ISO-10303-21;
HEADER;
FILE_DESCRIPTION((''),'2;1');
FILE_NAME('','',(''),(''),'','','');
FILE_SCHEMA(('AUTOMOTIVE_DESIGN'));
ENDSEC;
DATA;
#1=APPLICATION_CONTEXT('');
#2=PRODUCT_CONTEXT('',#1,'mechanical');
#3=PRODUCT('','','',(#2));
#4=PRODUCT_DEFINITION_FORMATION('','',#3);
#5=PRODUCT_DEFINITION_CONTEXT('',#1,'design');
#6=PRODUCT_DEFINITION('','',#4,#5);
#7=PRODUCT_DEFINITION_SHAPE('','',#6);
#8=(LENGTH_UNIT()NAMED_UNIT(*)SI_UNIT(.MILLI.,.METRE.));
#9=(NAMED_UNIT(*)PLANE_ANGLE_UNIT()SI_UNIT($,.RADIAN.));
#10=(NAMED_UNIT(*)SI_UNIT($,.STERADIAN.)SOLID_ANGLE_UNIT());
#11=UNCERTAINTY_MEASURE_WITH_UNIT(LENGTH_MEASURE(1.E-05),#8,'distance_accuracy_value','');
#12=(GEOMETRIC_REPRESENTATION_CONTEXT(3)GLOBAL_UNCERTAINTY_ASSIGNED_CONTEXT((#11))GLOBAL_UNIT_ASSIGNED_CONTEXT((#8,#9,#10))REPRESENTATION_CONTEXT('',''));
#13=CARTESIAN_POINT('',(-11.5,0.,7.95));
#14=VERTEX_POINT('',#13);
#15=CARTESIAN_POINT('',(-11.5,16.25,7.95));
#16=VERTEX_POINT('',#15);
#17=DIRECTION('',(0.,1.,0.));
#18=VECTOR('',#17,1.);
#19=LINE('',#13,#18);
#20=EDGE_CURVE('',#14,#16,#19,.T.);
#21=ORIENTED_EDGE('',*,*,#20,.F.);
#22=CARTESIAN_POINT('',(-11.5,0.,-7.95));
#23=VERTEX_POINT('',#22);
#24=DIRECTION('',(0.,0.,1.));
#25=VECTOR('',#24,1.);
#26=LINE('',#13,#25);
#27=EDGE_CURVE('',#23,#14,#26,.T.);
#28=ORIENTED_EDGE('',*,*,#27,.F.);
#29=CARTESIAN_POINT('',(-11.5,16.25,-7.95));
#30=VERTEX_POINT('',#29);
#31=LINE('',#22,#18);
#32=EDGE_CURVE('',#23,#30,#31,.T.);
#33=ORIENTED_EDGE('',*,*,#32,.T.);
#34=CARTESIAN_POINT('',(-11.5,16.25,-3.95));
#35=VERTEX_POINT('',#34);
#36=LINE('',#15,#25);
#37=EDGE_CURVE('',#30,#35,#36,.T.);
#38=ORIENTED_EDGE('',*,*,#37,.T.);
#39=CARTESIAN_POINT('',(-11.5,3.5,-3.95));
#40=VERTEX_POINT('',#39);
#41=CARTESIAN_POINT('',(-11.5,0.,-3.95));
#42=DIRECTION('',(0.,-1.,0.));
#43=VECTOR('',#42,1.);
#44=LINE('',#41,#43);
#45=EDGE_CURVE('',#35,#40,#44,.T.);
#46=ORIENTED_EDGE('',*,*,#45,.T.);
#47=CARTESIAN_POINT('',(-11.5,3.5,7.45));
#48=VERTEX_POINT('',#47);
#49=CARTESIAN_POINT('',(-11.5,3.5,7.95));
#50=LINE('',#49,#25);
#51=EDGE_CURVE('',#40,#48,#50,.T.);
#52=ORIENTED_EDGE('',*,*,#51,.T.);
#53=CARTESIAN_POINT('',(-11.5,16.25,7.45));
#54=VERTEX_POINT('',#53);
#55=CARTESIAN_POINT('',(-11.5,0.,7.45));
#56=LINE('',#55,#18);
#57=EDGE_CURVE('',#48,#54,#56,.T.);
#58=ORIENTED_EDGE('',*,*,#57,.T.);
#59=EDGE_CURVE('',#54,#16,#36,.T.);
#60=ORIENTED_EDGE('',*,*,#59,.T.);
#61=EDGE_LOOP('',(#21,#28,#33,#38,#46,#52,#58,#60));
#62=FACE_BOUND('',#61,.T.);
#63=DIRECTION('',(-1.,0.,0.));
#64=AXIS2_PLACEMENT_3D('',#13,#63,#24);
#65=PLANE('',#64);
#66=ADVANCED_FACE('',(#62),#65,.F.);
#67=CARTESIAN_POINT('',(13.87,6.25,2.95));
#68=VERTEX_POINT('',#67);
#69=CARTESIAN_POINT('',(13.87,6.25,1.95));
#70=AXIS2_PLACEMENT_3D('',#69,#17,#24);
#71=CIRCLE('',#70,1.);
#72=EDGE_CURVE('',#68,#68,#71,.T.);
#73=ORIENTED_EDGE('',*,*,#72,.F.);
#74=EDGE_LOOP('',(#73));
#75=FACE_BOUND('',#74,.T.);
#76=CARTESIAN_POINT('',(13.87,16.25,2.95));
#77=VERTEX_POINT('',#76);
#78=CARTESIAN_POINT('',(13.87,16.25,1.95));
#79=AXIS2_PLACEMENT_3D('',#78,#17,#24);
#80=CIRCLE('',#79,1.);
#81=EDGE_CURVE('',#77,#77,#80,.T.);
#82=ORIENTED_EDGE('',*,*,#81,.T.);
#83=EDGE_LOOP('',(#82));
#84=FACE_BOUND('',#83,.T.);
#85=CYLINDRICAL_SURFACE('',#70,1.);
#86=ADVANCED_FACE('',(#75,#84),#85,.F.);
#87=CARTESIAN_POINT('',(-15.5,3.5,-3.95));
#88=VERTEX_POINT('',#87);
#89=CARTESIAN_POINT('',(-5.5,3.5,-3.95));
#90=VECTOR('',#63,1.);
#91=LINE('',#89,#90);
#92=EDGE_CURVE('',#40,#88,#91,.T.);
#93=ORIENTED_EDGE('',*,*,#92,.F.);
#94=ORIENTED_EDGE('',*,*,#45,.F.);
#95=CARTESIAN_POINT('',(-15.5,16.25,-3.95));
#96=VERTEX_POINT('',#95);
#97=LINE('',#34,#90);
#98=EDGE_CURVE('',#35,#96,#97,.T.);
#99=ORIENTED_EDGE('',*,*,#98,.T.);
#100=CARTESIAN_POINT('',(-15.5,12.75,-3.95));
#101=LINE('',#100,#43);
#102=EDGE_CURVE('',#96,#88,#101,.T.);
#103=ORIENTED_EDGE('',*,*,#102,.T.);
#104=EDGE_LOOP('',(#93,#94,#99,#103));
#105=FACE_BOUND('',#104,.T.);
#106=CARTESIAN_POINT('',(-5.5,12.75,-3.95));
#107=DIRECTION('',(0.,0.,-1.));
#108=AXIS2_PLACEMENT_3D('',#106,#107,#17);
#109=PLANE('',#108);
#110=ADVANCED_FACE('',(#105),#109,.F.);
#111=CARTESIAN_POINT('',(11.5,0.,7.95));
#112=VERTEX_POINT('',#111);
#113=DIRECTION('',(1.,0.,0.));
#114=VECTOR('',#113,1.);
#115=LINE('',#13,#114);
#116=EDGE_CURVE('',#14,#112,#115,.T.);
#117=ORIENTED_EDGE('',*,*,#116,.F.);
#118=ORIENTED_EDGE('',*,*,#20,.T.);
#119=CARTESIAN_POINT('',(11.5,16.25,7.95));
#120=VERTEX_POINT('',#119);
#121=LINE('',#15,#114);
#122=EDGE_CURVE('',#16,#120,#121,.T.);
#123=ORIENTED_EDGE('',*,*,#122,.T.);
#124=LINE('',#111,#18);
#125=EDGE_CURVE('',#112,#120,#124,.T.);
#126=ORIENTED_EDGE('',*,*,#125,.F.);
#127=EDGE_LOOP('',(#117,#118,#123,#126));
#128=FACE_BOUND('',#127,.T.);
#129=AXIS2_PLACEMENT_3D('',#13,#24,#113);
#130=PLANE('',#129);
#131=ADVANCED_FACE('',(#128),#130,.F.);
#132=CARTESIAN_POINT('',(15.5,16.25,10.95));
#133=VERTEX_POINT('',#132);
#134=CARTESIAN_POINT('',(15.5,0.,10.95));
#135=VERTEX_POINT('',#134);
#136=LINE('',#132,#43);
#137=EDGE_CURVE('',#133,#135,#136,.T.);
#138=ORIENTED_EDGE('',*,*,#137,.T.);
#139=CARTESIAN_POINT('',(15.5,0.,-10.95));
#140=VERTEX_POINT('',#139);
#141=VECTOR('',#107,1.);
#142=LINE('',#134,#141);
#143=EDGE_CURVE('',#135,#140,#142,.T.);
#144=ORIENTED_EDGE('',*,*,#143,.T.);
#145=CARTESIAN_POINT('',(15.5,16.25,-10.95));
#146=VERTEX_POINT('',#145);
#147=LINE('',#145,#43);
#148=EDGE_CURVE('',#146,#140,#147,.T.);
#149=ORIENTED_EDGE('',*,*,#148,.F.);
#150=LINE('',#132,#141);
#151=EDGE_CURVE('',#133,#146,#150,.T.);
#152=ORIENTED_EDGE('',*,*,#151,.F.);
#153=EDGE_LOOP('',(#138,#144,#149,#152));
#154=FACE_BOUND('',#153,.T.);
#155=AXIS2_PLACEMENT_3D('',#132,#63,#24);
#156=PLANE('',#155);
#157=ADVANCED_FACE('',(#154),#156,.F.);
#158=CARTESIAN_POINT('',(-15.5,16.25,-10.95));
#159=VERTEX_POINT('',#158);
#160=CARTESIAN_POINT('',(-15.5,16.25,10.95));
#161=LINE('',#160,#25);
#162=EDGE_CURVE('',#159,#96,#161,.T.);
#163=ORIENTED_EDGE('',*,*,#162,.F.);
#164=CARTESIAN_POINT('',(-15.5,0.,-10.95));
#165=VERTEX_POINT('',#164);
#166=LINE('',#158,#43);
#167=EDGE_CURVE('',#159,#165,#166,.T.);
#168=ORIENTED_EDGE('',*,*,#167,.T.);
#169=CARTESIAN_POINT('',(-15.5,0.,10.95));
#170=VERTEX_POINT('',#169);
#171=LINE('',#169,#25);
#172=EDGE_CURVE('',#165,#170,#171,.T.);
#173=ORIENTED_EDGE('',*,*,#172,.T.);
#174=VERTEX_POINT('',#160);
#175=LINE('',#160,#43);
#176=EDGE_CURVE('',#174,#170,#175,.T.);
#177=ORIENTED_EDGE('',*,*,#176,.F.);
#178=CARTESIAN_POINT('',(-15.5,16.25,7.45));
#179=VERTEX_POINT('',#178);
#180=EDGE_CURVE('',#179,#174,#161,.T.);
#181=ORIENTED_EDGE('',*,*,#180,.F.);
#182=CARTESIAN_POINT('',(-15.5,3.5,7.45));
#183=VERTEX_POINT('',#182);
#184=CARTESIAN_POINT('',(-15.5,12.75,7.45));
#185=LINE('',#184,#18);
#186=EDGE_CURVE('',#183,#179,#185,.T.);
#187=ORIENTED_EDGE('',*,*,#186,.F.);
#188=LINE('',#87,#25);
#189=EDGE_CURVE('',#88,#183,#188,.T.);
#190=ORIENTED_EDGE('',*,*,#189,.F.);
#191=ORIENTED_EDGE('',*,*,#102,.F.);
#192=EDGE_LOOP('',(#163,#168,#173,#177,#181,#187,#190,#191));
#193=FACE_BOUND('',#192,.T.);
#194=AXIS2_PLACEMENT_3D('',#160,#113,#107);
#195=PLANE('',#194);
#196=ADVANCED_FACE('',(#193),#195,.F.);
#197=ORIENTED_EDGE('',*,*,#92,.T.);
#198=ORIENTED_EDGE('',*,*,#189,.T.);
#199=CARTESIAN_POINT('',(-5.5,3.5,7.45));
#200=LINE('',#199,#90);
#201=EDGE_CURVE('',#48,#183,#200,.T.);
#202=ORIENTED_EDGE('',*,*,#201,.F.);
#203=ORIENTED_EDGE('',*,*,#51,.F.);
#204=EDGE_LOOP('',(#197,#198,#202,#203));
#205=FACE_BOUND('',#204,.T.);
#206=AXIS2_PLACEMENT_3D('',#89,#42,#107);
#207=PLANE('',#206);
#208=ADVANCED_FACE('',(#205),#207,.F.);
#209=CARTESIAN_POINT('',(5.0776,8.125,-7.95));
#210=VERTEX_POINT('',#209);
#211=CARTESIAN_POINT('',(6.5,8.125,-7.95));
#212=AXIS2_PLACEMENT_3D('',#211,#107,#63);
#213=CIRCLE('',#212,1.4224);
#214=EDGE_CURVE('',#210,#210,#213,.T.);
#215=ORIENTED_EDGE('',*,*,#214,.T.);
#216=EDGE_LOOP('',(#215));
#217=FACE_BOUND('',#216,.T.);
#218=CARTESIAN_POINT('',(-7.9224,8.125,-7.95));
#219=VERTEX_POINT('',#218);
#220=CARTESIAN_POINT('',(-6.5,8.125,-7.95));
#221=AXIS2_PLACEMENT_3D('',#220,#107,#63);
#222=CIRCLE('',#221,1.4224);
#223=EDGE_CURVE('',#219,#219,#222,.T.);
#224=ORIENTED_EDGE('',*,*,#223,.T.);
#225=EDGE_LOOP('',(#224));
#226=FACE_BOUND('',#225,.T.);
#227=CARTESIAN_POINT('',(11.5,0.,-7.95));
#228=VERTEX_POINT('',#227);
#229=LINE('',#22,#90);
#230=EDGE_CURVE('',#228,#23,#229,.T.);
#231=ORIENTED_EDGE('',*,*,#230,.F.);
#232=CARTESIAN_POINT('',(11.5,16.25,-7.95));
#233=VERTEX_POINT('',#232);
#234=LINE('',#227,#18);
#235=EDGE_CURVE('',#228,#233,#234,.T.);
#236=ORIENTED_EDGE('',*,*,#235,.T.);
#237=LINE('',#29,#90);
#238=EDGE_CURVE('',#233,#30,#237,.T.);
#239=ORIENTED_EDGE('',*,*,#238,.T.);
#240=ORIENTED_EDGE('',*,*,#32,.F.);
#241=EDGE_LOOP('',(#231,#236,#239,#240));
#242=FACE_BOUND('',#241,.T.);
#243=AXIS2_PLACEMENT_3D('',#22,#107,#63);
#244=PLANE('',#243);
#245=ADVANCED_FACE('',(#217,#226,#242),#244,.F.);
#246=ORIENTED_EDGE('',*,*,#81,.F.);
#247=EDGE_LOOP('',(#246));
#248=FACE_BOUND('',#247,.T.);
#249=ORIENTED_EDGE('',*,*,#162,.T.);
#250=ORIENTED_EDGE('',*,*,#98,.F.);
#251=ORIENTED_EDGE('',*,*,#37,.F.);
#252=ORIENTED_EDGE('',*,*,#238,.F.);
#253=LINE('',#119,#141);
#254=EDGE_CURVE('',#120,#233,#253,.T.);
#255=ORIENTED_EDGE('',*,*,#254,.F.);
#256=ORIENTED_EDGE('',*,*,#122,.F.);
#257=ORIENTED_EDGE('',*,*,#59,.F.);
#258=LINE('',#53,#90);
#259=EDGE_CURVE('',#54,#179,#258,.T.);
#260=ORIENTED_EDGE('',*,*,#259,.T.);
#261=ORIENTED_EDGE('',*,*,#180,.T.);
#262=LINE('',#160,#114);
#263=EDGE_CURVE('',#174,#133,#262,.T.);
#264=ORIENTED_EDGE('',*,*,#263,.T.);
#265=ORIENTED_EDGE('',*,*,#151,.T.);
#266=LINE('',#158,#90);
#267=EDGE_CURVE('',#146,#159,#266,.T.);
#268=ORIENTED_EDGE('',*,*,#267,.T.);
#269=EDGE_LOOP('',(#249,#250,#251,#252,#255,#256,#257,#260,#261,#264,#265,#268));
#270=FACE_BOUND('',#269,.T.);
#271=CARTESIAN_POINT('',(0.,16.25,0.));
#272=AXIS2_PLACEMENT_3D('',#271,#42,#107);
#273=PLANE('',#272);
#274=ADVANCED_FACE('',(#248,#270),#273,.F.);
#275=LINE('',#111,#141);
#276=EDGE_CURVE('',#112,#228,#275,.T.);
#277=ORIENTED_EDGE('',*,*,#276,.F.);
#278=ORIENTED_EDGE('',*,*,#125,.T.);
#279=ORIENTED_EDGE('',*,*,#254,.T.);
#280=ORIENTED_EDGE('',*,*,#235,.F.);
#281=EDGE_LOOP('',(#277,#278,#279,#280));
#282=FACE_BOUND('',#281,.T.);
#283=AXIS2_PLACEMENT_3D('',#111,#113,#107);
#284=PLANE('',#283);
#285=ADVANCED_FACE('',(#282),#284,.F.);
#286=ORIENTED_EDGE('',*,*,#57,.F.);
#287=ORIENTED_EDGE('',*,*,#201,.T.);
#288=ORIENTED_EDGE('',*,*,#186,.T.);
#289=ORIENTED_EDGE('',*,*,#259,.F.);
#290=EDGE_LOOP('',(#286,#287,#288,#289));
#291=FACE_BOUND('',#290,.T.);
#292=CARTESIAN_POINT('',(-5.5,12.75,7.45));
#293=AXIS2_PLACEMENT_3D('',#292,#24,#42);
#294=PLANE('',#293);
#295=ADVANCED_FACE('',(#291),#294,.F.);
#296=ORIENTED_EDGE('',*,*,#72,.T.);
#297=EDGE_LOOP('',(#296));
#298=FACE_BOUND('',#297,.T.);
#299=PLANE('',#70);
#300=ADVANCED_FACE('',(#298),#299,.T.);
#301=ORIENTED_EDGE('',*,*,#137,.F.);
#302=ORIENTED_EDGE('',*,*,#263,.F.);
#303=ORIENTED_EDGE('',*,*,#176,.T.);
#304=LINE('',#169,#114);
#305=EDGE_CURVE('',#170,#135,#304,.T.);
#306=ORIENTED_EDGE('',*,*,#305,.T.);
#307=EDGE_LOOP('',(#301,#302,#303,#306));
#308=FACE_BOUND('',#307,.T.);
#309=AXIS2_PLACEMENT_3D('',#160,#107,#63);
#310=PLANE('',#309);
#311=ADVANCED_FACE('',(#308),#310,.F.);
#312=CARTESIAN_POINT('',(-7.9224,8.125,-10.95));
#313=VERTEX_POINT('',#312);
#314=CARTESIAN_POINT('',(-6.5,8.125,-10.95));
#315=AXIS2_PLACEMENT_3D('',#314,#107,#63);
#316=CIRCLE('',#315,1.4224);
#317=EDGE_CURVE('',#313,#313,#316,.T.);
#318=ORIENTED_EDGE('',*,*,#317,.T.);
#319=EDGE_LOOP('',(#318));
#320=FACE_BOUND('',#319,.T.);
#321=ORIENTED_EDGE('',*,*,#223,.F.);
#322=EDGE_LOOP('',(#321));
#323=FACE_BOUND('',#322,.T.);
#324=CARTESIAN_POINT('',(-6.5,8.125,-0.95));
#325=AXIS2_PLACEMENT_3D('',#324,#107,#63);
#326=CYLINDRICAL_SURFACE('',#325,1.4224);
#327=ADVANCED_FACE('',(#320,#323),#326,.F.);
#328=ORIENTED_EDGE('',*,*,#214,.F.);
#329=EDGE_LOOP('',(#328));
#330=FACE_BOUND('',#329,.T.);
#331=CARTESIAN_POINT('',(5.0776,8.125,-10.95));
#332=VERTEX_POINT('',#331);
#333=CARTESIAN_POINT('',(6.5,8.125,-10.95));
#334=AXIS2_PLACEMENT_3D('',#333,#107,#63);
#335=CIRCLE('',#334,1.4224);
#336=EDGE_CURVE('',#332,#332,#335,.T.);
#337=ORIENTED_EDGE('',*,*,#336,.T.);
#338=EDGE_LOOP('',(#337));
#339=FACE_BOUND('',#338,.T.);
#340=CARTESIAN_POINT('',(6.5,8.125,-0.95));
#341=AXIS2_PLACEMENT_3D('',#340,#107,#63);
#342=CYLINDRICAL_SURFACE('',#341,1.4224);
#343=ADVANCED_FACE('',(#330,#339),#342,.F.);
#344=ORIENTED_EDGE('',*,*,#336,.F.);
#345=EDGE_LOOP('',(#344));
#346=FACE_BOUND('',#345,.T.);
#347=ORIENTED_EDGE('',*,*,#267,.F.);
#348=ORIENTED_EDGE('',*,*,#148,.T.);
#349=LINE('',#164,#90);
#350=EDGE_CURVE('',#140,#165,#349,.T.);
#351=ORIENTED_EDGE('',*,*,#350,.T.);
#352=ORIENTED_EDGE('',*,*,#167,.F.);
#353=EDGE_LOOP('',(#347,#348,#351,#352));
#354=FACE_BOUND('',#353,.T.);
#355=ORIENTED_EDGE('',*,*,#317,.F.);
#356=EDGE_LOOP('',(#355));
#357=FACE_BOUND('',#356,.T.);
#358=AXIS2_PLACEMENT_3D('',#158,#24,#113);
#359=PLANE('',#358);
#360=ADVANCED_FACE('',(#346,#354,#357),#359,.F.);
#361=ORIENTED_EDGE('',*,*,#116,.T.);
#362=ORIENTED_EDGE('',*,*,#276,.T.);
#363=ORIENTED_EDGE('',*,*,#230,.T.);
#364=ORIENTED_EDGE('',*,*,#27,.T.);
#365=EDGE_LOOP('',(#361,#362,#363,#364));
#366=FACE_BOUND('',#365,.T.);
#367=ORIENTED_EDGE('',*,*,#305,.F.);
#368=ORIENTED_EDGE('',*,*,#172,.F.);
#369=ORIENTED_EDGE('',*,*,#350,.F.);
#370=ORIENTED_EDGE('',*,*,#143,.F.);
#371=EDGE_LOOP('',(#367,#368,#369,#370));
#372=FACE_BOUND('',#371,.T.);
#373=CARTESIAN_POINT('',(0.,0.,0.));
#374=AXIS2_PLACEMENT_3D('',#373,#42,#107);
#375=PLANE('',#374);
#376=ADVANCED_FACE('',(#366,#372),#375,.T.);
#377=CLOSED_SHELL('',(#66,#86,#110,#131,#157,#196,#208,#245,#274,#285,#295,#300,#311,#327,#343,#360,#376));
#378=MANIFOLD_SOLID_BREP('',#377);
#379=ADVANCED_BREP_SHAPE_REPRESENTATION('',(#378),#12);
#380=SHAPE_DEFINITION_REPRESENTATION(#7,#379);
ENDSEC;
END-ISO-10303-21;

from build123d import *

# Parameters (mm, degrees)
SKETCH2_W           = 31
SKETCH2_H           = 21.9
BOSS_EXTRUDE1_DEPTH = 16.25
SKETCH3_W           = 23
SKETCH3_H           = 15.9
CUT_EXTRUDE1_DEPTH  = 25.984295067
SKETCH6_R           = 1.4224
CUT_EXTRUDE3_DEPTH  = 10
SKETCH7_W           = 11.4
SKETCH7_H           = 9.25
CUT_EXTRUDE4_DEPTH  = 10
SKETCH9_R           = 1
CUT_EXTRUDE5_DEPTH  = 10
SKETCH12_W          = 11.4
SKETCH12_H          = 3.5
CUT_EXTRUDE8_DEPTH  = 4


with BuildPart() as part:
    # Sketch2 → Boss-Extrude1 (new body)
    with BuildSketch(Plane(origin=(0, 0, 0), x_dir=(1, 0, 0), z_dir=(0, 1, 0))):
        Rectangle(SKETCH2_W, SKETCH2_H)
    extrude(amount=BOSS_EXTRUDE1_DEPTH)

    # Sketch3 → Cut-Extrude1 (cut, through all)
    with BuildSketch(Plane(origin=(0, 16.25, 0), x_dir=(1, 0, 0), z_dir=(0, 1, 0))):
        Rectangle(SKETCH3_W, SKETCH3_H)
    extrude(amount=-CUT_EXTRUDE1_DEPTH, mode=Mode.SUBTRACT)

    # Sketch6 → Cut-Extrude3 (cut)
    with BuildSketch(Plane(origin=(0, 0, -10.95), x_dir=(-1, 0, 0), z_dir=(0, 0, -1))):
        with Locations((-6.5, 8.125)):
            Circle(SKETCH6_R)
        with Locations((6.5, 8.125)):
            Circle(SKETCH6_R)
    extrude(amount=-CUT_EXTRUDE3_DEPTH, mode=Mode.SUBTRACT)

    # Sketch7 → Cut-Extrude4 (cut)
    with BuildSketch(Plane.ZY.offset(15.5)):
        with Locations((1.75, 8.125)):
            Rectangle(SKETCH7_W, SKETCH7_H)
    extrude(amount=-CUT_EXTRUDE4_DEPTH, mode=Mode.SUBTRACT)

    # Sketch9 → Cut-Extrude5 (cut)
    with BuildSketch(Plane(origin=(0, 16.25, 0), x_dir=(1, 0, 0), z_dir=(0, 1, 0))):
        with Locations(Location((-13.37, -1.95, 0), (0, 0, 270))):
            Circle(SKETCH9_R)
        with Locations(Location((13.87, -1.95, 0), (0, 0, 270))):
            Circle(SKETCH9_R)
    extrude(amount=-CUT_EXTRUDE5_DEPTH, mode=Mode.SUBTRACT)

    # Sketch12 → Cut-Extrude8 (cut)
    with BuildSketch(Plane.ZY.offset(15.5)):
        with Locations((1.75, 14.5)):
            Rectangle(SKETCH12_W, SKETCH12_H)
    extrude(amount=-CUT_EXTRUDE8_DEPTH, mode=Mode.SUBTRACT)


solid = part.part
